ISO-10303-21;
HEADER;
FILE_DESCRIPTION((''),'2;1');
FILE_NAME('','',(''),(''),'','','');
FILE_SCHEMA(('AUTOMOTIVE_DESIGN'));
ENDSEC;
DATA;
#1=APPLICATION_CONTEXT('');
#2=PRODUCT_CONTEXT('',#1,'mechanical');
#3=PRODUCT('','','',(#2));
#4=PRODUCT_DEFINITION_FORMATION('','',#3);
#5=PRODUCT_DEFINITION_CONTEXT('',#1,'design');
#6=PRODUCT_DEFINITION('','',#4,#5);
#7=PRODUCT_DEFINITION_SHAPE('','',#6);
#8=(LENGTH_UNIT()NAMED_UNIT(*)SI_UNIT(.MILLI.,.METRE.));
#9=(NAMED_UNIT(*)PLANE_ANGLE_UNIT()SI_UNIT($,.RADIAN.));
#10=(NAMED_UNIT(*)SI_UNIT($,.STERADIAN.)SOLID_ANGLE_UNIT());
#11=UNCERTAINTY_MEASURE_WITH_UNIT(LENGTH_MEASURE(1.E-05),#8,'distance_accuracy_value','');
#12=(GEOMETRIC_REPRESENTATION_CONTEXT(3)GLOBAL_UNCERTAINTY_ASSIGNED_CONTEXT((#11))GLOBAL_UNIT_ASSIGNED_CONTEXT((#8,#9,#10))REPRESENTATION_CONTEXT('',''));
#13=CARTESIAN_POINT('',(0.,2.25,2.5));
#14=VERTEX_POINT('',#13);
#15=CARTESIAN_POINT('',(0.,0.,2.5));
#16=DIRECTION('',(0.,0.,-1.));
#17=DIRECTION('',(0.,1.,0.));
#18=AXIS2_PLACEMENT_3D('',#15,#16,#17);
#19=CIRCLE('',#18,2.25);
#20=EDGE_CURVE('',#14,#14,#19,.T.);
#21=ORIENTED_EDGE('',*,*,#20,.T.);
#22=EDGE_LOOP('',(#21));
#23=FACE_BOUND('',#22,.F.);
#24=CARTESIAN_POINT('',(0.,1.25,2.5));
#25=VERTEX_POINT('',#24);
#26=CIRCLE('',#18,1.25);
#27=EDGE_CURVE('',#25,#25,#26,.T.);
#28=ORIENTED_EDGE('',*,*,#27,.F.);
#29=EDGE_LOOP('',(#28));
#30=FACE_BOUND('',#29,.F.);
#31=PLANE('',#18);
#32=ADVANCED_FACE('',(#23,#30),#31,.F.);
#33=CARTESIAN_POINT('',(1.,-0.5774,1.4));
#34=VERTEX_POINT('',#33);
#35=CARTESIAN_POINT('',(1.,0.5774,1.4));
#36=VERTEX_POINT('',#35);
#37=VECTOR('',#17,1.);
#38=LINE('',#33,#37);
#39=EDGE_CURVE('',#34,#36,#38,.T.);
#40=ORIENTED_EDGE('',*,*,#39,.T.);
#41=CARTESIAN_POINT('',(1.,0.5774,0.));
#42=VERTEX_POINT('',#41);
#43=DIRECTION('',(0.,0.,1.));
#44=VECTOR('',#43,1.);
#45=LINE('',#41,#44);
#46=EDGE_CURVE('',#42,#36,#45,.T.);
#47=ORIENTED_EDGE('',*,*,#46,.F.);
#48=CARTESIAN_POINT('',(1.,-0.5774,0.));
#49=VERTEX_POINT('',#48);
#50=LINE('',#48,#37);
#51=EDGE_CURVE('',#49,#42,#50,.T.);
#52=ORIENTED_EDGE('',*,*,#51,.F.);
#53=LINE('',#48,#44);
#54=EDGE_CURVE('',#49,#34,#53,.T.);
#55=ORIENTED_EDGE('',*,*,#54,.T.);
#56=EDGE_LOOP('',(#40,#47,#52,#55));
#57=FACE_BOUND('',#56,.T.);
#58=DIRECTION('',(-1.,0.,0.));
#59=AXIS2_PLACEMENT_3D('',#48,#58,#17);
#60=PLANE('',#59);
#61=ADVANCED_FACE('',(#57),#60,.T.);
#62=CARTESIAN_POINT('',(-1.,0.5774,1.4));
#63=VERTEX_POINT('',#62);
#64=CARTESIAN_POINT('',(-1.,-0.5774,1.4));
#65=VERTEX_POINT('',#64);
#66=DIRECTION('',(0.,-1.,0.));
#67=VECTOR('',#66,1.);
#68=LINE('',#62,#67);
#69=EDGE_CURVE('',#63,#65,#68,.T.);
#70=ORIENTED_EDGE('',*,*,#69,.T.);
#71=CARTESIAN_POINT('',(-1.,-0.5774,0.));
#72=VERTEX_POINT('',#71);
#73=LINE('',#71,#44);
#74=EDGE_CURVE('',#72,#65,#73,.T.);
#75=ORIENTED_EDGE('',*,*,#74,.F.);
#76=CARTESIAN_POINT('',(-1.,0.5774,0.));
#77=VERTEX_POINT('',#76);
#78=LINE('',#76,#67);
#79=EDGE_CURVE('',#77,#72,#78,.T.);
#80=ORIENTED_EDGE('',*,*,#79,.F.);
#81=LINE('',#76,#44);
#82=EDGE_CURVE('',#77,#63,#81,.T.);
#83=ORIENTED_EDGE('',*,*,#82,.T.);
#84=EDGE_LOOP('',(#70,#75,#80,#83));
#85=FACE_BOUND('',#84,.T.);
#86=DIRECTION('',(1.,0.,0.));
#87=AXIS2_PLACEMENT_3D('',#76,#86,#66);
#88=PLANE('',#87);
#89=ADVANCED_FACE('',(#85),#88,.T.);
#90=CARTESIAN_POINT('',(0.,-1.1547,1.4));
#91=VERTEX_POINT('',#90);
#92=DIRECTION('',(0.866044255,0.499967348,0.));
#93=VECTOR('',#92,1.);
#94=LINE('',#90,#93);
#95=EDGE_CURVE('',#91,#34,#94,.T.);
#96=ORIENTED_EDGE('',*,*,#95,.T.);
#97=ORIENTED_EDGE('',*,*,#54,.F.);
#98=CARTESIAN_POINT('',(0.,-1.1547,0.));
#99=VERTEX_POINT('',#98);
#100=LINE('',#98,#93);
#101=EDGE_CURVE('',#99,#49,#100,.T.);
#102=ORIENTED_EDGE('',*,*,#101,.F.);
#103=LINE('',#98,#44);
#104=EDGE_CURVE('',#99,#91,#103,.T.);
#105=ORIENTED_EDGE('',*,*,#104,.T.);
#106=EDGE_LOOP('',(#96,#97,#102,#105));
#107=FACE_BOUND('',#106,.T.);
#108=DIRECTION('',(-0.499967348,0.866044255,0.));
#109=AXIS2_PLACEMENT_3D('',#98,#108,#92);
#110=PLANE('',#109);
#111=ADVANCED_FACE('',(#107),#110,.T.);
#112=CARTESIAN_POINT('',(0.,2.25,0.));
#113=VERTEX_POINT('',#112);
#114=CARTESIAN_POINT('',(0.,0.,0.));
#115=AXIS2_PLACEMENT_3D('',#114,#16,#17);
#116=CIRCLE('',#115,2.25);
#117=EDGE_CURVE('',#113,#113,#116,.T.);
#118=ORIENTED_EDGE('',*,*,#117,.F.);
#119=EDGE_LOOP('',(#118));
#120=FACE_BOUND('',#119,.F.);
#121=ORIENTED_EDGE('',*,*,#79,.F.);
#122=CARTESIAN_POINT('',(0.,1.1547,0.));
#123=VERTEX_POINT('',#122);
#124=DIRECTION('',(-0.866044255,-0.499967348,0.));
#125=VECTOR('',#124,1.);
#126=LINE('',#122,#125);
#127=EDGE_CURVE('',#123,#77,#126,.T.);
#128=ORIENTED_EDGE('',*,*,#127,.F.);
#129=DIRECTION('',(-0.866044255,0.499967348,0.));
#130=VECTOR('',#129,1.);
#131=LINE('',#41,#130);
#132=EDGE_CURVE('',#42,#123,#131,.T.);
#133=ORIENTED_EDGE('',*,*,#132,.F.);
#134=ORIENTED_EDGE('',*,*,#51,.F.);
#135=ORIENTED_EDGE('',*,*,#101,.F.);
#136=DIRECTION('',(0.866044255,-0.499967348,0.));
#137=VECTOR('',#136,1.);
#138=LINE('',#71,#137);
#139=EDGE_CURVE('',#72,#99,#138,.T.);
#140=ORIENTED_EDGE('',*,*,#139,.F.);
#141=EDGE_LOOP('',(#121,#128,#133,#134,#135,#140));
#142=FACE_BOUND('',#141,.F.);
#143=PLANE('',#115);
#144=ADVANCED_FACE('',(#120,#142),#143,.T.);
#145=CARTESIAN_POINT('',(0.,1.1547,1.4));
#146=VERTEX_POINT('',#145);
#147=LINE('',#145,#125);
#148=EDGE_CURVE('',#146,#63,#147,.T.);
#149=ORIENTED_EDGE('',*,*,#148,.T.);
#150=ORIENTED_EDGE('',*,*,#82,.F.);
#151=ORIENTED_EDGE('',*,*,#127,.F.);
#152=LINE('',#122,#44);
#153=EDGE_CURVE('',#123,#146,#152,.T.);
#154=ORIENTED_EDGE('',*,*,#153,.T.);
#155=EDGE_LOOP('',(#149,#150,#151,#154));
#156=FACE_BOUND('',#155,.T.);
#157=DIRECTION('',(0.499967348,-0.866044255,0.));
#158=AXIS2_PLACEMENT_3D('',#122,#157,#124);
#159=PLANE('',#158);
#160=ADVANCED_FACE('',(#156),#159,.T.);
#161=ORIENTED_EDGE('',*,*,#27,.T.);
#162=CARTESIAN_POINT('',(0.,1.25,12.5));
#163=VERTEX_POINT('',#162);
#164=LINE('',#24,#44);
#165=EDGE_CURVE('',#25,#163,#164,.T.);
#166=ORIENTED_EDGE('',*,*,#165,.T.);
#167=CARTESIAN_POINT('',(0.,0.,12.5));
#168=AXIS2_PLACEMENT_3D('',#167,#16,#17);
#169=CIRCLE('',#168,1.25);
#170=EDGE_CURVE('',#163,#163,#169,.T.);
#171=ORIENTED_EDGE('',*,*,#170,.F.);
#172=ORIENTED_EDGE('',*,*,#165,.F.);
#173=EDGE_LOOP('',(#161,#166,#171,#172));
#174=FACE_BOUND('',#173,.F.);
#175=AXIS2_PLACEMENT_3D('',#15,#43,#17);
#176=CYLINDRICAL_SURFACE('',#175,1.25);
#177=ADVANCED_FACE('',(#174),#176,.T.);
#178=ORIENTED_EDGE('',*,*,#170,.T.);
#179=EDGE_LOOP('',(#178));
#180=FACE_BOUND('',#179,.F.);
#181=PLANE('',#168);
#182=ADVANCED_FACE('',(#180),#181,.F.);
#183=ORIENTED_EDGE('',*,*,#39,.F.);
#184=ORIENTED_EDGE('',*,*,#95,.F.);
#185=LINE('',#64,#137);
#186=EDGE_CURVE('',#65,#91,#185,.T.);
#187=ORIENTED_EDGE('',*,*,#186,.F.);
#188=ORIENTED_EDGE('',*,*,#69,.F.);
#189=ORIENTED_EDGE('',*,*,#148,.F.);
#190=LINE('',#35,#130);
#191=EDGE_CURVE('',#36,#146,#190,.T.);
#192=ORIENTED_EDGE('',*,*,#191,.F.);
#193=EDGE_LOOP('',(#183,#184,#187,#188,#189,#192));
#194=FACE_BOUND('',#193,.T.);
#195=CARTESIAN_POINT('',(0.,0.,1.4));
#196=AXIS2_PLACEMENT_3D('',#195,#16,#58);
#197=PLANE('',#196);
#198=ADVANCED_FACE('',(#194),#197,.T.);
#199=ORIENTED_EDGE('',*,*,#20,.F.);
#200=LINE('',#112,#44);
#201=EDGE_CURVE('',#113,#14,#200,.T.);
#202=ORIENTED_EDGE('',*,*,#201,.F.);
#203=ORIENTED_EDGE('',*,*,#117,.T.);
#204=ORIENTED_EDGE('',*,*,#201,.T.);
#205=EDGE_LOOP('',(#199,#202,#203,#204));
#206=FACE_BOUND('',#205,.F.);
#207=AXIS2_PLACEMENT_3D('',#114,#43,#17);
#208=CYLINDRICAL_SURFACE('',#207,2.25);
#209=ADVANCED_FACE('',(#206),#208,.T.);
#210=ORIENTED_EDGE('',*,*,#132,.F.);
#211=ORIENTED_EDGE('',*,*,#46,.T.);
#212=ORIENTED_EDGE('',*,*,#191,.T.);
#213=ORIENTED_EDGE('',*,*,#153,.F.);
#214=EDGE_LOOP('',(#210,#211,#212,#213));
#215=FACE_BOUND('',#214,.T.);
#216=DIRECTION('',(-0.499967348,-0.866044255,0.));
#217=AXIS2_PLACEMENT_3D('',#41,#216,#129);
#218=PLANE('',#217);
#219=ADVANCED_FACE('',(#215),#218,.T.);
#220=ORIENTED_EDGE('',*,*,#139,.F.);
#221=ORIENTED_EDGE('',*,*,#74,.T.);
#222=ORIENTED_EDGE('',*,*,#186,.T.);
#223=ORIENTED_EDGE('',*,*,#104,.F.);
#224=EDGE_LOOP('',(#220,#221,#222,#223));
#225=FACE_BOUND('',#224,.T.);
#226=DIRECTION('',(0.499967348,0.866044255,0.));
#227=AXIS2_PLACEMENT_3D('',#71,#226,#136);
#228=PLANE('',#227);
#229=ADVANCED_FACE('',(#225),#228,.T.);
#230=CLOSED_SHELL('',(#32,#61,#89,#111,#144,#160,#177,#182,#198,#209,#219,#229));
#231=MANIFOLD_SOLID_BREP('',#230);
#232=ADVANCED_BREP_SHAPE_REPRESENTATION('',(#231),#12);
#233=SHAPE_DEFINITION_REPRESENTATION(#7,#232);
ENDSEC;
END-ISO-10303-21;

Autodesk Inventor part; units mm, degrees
ref_plane "YZ Plane" through (0, 0, 0) normal (1, 0, 0) x (0, 1, 0)
ref_plane "XZ Plane" through (0, 0, 0) normal (0, 1, 0) x (-1, 0, 0)
ref_plane "XY Plane" through (0, 0, 0) normal (0, 0, 1) x (1, 0, 0)
sketch "スケッチ1" plane through (0, 0, 0) normal (1, 0, 0) x (0, 1, 0)
  line L0 (0, 12.5) -> (0, 0)
  line L1 (0, 0) -> (2.25, 0)
  line L2 (2.25, 0) -> (2.25, 2.5)
  line L3 (2.25, 2.5) -> (1.25, 2.5)
  line L4 (1.25, 2.5) -> (1.25, 12.5)
  line L5 (1.25, 12.5) -> (0, 12.5)
  dimension "d1" = 1.25
  dimension "d2" = 2.5
  dimension "d3" = 2.25
  dimension "d10" = 10
revolve "回転1" add sketch "スケッチ1" angle 360 about axis through (0, 0, 12.5) along (0, 0, -1)
thread "ねじ1" size "M2.5x0.45" class "6g" standard "ANSI Metric M Profile" full length
sketch "スケッチ2" plane through (0, 0, 0) normal (0, 0, -1) x (-1, 0, 0)
  line L0 (0, 1.1547) -> (1, 0.5774)
  line L1 (1, 0.5774) -> (1, -0.5774)
  line L2 (1, -0.5774) -> (0, -1.1547)
  line L3 (0, -1.1547) -> (-1, -0.5774)
  line L4 (-1, -0.5774) -> (-1, 0.5774)
  line L5 (-1, 0.5774) -> (0, 1.1547)
  circle A0 centre (0, 0) radius 2.25 projected
  line L6 (0, 2.25) -> (0, -2.25) construction
  dimension "d7" = 2
extrude "押し出し1" cut sketch "スケッチ2" against normal blind 1.4 contours L0 L1 L2 L3 L4 L5
properties part number "M2_5-10" material "ステンレス鋼 AISI 304"
